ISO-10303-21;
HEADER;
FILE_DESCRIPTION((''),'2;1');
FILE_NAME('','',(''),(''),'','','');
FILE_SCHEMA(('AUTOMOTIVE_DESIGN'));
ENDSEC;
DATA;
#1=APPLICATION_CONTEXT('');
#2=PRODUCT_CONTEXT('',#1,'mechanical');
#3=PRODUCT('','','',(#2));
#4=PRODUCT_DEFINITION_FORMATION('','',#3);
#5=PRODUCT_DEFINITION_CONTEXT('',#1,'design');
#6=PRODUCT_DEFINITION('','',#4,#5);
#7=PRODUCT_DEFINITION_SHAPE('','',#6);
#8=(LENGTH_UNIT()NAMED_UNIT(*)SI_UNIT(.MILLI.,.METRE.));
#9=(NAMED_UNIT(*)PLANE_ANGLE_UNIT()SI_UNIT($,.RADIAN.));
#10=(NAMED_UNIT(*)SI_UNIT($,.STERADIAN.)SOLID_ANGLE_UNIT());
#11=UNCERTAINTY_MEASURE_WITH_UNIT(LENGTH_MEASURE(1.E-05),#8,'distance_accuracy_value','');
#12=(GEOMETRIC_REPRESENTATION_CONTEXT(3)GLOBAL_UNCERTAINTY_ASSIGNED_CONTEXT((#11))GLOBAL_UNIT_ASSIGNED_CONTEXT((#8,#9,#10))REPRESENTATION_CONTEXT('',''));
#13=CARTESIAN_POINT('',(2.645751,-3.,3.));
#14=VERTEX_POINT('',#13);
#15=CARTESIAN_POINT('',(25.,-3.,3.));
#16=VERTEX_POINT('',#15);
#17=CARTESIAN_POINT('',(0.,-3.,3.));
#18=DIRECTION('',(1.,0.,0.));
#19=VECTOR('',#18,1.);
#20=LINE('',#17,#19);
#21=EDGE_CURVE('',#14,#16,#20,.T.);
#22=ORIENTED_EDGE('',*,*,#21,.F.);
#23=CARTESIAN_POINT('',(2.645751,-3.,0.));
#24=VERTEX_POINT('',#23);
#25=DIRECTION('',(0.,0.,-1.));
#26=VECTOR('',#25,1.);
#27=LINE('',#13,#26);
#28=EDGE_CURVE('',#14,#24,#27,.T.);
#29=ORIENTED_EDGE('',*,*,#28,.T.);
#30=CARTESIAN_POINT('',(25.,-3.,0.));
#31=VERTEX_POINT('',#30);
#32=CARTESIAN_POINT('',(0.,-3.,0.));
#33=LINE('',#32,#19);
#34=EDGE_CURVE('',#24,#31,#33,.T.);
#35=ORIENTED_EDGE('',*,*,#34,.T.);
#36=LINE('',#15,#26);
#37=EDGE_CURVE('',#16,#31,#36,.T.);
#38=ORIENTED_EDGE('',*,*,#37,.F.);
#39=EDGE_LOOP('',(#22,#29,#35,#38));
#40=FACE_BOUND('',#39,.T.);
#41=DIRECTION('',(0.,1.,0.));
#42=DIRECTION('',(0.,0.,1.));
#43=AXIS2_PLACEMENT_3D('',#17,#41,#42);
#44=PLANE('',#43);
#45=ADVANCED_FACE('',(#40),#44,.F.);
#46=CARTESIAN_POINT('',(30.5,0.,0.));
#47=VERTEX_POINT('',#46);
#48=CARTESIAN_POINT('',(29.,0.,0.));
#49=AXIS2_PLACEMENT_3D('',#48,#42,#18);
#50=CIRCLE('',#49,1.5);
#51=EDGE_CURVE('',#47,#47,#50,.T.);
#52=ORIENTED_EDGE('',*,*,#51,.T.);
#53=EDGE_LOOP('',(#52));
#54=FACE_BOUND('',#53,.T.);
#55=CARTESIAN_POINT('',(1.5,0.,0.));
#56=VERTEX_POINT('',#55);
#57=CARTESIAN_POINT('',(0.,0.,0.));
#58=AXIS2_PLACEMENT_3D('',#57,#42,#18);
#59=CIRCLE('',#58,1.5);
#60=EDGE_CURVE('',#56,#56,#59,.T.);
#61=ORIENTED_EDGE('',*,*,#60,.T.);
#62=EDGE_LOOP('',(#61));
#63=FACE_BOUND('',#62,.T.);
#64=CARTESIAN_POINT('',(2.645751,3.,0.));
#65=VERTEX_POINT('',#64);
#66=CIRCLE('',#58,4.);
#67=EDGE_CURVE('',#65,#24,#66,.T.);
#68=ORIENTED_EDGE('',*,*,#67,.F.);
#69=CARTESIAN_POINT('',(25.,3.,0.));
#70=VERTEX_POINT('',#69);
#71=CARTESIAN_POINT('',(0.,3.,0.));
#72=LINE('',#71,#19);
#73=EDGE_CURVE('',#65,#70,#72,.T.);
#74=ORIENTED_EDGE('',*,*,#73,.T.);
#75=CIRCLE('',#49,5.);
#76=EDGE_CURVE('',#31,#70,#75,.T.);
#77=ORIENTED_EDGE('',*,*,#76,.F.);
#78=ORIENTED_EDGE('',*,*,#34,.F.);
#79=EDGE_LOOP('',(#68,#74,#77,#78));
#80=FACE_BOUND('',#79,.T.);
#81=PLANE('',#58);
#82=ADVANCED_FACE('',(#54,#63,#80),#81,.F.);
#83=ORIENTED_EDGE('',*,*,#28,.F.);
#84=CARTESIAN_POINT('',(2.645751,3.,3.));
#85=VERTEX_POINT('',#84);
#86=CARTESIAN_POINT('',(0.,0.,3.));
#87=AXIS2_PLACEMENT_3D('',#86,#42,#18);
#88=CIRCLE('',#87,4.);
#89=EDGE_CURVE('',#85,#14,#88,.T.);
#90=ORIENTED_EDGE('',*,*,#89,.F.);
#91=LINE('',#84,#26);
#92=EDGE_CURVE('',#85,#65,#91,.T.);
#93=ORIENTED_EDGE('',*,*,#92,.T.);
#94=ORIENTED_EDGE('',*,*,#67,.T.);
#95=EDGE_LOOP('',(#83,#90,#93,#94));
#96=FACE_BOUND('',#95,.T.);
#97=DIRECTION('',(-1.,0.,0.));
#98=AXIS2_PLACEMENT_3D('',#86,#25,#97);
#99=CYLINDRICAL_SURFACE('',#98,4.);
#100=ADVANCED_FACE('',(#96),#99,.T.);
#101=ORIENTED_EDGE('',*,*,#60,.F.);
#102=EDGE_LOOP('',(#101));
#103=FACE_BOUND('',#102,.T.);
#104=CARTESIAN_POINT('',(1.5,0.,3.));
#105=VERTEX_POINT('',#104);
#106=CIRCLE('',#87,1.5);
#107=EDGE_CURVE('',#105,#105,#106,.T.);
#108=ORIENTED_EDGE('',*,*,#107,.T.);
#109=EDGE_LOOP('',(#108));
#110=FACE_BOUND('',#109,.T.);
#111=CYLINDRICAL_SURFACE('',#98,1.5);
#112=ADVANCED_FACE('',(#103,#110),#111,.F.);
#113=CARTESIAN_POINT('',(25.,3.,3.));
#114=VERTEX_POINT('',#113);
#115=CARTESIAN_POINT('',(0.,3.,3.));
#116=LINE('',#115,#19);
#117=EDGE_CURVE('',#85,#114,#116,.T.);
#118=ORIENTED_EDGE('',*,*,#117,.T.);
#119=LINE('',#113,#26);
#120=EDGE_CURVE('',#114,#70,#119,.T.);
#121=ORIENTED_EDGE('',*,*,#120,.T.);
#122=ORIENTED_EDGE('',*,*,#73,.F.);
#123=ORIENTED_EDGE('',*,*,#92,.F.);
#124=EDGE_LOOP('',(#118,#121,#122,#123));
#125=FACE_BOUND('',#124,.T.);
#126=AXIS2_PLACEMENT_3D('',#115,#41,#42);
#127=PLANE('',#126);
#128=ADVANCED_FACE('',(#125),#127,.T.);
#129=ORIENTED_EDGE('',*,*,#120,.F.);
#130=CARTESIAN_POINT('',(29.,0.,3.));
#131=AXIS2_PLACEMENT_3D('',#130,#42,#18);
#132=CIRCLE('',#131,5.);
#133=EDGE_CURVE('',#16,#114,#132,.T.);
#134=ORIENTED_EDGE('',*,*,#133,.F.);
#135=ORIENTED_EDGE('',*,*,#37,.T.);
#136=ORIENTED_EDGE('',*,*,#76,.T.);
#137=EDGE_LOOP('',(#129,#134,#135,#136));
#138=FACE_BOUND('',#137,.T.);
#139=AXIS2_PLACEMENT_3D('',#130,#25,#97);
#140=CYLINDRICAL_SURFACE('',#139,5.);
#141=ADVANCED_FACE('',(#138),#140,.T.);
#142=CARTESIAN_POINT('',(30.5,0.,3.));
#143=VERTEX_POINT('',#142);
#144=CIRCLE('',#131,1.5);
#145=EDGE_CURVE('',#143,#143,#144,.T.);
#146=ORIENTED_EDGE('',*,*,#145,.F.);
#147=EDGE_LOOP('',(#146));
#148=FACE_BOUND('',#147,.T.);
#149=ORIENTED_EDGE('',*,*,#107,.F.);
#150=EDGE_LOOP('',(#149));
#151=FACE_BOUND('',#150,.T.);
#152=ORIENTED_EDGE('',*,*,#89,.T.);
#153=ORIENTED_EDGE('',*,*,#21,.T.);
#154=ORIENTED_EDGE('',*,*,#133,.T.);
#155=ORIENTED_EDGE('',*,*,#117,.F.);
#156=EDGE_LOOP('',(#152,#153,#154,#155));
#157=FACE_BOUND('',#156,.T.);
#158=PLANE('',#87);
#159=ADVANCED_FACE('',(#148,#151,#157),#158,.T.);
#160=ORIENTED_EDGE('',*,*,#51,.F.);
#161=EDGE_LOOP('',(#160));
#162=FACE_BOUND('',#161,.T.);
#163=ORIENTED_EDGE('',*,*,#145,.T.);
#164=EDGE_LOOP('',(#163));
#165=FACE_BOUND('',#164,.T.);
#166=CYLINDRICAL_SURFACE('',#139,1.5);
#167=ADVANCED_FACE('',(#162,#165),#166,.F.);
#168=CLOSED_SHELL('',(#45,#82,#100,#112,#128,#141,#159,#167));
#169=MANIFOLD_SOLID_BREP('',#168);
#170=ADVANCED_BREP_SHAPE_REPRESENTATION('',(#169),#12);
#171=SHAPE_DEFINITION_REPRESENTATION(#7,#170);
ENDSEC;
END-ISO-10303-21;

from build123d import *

# Parameters (mm, degrees)
CROQUIS1_R              = 1.5
SALIENTE_EXTRUIR1_DEPTH = 3


with BuildPart() as part:
    # Croquis1 → Saliente-Extruir1 (new body)
    with BuildSketch(Plane.XY):
        with BuildLine():
            ThreePointArc((2.645751311, 3), (-4, 0), (2.645751311, -3))
            Line((2.645751311, -3), (25, -3))
            ThreePointArc((25, -3), (34, 0), (25, 3))
            Line((25, 3), (2.645751311, 3))
        make_face()
        Circle(CROQUIS1_R, mode=Mode.SUBTRACT)
        with Locations((29, 0)):
            Circle(CROQUIS1_R, mode=Mode.SUBTRACT)
    extrude(amount=SALIENTE_EXTRUIR1_DEPTH)


solid = part.part
